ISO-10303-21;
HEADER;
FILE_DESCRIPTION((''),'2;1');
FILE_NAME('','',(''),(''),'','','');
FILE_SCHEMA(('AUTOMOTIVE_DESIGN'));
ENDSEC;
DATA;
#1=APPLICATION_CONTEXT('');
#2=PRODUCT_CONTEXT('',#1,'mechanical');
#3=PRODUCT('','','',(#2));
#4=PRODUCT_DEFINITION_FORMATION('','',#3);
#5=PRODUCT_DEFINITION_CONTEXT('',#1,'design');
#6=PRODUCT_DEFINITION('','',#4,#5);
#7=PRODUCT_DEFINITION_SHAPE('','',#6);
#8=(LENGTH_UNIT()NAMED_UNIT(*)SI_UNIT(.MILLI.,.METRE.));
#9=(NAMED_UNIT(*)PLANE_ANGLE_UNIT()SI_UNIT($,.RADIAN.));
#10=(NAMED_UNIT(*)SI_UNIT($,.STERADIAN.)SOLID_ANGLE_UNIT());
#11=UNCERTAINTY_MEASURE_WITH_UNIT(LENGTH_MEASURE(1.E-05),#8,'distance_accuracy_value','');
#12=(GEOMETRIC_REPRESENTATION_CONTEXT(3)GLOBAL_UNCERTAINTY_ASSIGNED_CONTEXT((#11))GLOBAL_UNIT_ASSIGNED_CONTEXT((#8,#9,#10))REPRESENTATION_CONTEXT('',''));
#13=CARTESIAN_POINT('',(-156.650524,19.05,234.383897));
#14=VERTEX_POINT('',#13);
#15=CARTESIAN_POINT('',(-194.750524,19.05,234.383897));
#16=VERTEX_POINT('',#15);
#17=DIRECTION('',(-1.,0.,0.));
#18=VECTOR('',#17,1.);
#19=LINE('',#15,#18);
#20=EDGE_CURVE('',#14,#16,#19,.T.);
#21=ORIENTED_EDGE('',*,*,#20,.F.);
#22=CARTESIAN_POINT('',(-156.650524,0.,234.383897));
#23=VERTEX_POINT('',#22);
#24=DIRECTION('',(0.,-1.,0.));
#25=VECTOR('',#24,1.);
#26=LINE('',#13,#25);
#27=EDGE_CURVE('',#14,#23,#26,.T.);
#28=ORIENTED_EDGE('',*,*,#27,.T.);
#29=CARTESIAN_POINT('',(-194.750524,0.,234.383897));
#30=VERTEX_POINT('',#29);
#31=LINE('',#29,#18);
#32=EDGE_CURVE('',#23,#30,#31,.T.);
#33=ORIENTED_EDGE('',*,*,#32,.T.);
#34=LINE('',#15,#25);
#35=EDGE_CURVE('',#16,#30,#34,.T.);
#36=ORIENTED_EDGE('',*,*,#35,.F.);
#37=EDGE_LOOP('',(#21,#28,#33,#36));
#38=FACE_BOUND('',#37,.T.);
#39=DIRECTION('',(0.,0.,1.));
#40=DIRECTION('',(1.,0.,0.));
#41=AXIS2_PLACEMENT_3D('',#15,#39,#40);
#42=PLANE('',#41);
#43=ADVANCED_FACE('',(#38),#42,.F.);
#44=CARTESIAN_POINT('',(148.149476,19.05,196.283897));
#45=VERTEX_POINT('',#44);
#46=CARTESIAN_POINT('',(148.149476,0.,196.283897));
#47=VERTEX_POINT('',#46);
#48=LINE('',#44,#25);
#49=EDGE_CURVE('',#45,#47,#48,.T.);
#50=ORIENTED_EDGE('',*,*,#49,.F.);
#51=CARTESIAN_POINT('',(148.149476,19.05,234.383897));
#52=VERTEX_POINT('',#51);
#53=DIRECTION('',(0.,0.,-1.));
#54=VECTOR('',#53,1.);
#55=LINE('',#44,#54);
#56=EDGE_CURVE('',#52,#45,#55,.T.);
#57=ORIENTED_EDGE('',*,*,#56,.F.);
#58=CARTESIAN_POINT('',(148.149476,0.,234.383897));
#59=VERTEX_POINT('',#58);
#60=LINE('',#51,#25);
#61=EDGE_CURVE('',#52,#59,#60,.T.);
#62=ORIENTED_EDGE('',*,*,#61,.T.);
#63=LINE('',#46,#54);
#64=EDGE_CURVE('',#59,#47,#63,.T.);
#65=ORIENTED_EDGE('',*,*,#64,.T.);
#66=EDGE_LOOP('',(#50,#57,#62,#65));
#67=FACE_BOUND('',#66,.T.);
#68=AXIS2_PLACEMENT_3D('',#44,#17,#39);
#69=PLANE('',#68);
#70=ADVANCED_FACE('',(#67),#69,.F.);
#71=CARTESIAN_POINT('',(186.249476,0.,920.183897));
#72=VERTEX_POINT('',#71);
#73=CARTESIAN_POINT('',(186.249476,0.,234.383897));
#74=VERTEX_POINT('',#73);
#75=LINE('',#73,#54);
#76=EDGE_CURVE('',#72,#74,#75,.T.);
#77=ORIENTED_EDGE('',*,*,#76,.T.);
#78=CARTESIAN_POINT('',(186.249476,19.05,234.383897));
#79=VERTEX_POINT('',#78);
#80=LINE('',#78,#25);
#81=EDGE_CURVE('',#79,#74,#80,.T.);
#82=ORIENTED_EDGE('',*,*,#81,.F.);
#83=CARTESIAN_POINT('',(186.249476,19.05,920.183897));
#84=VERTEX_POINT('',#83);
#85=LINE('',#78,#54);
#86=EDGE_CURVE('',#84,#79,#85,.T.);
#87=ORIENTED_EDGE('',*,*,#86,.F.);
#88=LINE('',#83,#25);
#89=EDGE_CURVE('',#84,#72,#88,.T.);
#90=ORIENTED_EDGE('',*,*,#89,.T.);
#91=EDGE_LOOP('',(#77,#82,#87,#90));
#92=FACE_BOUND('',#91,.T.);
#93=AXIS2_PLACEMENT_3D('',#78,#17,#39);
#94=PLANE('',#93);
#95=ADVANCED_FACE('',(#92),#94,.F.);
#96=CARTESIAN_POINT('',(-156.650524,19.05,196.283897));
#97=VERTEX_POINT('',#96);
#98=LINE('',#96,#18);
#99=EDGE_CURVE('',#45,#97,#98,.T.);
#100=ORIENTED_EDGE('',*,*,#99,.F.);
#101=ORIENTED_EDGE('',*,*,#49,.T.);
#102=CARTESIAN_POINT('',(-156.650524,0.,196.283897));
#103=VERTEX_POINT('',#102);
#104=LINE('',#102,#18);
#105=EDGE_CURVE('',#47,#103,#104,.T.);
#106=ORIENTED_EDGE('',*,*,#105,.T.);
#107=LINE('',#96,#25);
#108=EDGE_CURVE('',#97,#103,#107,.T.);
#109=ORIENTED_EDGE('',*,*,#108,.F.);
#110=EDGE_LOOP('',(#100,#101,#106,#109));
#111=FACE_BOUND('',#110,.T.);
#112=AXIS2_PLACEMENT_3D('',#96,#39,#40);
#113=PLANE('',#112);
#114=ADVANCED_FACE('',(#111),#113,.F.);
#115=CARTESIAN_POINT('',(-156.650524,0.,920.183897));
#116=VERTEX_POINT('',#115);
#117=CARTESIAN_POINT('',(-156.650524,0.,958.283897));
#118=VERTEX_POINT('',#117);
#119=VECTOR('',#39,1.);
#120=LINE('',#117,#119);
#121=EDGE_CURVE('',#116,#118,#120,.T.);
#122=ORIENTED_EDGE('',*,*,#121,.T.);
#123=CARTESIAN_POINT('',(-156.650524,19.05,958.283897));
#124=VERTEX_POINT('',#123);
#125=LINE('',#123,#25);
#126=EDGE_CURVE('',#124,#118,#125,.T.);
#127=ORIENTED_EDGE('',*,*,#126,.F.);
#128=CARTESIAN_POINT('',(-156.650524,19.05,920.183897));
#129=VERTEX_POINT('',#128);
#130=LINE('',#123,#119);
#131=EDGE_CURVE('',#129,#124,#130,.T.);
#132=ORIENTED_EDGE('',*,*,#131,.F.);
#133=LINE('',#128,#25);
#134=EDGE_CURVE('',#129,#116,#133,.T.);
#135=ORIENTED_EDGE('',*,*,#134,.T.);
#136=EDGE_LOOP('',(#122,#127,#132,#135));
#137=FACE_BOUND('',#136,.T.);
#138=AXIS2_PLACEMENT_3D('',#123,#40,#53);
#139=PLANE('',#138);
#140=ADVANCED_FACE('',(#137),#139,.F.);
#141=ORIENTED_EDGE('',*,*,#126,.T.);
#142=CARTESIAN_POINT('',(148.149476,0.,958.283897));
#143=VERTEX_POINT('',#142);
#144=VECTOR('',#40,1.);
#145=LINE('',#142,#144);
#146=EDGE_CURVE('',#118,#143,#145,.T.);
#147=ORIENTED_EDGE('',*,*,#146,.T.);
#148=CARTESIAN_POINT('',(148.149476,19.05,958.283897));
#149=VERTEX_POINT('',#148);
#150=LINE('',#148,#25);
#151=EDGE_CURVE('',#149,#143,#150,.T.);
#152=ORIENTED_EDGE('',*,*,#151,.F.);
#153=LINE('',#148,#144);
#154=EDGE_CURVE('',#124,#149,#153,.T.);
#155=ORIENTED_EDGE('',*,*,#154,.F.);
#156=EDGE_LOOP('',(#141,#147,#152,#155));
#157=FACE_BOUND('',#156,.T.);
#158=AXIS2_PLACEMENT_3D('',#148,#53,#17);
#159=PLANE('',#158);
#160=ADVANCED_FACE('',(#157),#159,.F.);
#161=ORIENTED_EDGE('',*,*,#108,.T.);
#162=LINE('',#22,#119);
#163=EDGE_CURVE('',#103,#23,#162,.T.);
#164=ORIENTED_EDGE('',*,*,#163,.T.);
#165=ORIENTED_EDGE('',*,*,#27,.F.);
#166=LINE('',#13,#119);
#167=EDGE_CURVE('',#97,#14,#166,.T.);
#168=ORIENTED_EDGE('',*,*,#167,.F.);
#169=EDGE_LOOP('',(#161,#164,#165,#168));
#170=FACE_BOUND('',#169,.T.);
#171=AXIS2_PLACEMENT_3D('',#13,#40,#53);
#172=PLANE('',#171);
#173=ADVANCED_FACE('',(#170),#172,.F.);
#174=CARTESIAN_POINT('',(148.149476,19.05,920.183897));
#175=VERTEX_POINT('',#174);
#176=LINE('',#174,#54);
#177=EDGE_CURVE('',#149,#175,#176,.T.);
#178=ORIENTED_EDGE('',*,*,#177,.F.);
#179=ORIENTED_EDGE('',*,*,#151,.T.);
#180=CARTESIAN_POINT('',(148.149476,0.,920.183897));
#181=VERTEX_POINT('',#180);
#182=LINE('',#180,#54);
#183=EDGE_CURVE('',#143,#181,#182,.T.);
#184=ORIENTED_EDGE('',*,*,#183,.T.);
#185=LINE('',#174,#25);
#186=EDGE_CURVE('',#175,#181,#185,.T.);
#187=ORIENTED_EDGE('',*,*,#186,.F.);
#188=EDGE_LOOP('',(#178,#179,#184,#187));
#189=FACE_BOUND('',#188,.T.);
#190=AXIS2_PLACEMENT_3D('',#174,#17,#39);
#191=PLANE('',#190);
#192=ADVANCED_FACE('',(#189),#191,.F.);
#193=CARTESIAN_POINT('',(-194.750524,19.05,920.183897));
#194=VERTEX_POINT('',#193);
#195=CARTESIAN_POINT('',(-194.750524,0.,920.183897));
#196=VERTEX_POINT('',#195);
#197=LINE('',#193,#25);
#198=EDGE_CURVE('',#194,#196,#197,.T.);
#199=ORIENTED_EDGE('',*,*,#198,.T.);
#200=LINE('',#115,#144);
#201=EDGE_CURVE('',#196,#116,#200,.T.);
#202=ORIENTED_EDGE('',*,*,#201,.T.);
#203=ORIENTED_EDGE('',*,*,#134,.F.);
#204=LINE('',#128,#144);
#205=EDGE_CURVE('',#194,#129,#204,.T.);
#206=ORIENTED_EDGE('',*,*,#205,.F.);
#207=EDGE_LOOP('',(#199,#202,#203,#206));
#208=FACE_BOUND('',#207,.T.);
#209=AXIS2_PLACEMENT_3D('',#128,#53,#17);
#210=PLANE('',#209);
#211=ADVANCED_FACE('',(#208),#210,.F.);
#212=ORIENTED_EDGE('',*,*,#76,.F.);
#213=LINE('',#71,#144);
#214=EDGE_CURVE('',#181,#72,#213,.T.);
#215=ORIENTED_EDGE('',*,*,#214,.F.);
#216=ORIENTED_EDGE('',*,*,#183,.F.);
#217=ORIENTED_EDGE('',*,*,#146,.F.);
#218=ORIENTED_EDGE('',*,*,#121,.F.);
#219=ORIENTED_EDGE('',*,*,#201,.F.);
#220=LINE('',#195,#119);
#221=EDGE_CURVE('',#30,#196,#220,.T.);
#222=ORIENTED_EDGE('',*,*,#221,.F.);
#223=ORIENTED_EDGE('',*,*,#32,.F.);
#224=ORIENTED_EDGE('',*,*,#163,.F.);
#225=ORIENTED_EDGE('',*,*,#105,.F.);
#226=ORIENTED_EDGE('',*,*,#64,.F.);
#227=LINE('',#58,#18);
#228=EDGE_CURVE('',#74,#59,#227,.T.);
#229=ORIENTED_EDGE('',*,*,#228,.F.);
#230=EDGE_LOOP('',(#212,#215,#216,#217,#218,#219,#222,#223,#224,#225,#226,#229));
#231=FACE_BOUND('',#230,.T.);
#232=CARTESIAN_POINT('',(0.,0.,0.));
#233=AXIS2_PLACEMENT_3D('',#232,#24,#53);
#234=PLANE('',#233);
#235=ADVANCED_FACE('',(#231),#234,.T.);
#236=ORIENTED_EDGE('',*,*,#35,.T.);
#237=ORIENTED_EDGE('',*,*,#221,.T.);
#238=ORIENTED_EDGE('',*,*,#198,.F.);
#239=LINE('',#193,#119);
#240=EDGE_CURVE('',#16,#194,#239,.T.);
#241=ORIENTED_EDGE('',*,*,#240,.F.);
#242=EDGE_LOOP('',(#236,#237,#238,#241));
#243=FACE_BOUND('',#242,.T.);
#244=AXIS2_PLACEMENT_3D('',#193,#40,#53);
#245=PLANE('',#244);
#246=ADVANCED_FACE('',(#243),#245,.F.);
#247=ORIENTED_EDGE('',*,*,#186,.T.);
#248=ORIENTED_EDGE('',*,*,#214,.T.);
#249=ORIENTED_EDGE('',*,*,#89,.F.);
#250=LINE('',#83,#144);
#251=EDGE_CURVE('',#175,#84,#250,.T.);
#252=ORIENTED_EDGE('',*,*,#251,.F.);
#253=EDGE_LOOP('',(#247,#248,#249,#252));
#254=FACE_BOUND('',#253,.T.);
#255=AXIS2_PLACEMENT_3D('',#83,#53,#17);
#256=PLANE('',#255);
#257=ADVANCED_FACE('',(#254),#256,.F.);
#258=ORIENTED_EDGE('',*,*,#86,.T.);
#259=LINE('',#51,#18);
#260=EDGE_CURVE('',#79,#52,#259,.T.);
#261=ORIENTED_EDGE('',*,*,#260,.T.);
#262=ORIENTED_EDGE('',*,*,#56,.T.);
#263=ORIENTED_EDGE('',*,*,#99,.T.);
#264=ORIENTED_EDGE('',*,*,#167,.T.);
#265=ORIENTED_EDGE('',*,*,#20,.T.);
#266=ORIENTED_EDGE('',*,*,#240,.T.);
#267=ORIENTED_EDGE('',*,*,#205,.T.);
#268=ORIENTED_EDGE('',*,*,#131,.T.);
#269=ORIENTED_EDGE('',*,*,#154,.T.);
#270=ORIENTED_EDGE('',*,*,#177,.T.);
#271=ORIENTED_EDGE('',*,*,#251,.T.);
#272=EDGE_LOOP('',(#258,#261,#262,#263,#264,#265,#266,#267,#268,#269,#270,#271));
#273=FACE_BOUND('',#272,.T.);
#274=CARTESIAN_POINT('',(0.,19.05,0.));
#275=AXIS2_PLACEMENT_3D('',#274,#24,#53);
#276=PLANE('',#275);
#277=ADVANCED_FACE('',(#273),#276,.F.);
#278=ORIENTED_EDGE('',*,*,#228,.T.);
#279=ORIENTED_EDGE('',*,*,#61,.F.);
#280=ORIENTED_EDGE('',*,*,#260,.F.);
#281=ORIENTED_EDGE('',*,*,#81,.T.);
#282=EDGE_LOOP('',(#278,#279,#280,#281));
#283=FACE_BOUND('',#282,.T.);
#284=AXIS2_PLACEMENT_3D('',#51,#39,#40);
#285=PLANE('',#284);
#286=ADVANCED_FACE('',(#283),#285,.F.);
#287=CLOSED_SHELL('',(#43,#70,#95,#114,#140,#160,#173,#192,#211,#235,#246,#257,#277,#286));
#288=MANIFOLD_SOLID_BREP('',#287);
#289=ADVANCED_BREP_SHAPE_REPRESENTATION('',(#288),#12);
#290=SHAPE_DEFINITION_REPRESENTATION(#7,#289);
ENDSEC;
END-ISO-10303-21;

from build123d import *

# Parameters (mm, degrees)
BOSS_EXTRUDE1_DEPTH = 19.05


with BuildPart() as part:
    # Sketch1 → Boss-Extrude1 (new body)
    with BuildSketch(Plane(origin=(0, 0, 0), x_dir=(1, 0, 0), z_dir=(0, 1, 0))):
        Polygon((-194.750523985, -920.183896908), (-194.750523985, -234.383896908), (-156.650523985, -234.383896908), (-156.650523985, -196.283896908), (148.149476015, -196.283896908), (148.149476015, -234.383896908), (186.249476015, -234.383896908), (186.249476015, -920.183896908), (148.149476015, -920.183896908), (148.149476015, -958.283896908), (-156.650523985, -958.283896908), (-156.650523985, -920.183896908), align=None)
    extrude(amount=BOSS_EXTRUDE1_DEPTH)


solid = part.part
